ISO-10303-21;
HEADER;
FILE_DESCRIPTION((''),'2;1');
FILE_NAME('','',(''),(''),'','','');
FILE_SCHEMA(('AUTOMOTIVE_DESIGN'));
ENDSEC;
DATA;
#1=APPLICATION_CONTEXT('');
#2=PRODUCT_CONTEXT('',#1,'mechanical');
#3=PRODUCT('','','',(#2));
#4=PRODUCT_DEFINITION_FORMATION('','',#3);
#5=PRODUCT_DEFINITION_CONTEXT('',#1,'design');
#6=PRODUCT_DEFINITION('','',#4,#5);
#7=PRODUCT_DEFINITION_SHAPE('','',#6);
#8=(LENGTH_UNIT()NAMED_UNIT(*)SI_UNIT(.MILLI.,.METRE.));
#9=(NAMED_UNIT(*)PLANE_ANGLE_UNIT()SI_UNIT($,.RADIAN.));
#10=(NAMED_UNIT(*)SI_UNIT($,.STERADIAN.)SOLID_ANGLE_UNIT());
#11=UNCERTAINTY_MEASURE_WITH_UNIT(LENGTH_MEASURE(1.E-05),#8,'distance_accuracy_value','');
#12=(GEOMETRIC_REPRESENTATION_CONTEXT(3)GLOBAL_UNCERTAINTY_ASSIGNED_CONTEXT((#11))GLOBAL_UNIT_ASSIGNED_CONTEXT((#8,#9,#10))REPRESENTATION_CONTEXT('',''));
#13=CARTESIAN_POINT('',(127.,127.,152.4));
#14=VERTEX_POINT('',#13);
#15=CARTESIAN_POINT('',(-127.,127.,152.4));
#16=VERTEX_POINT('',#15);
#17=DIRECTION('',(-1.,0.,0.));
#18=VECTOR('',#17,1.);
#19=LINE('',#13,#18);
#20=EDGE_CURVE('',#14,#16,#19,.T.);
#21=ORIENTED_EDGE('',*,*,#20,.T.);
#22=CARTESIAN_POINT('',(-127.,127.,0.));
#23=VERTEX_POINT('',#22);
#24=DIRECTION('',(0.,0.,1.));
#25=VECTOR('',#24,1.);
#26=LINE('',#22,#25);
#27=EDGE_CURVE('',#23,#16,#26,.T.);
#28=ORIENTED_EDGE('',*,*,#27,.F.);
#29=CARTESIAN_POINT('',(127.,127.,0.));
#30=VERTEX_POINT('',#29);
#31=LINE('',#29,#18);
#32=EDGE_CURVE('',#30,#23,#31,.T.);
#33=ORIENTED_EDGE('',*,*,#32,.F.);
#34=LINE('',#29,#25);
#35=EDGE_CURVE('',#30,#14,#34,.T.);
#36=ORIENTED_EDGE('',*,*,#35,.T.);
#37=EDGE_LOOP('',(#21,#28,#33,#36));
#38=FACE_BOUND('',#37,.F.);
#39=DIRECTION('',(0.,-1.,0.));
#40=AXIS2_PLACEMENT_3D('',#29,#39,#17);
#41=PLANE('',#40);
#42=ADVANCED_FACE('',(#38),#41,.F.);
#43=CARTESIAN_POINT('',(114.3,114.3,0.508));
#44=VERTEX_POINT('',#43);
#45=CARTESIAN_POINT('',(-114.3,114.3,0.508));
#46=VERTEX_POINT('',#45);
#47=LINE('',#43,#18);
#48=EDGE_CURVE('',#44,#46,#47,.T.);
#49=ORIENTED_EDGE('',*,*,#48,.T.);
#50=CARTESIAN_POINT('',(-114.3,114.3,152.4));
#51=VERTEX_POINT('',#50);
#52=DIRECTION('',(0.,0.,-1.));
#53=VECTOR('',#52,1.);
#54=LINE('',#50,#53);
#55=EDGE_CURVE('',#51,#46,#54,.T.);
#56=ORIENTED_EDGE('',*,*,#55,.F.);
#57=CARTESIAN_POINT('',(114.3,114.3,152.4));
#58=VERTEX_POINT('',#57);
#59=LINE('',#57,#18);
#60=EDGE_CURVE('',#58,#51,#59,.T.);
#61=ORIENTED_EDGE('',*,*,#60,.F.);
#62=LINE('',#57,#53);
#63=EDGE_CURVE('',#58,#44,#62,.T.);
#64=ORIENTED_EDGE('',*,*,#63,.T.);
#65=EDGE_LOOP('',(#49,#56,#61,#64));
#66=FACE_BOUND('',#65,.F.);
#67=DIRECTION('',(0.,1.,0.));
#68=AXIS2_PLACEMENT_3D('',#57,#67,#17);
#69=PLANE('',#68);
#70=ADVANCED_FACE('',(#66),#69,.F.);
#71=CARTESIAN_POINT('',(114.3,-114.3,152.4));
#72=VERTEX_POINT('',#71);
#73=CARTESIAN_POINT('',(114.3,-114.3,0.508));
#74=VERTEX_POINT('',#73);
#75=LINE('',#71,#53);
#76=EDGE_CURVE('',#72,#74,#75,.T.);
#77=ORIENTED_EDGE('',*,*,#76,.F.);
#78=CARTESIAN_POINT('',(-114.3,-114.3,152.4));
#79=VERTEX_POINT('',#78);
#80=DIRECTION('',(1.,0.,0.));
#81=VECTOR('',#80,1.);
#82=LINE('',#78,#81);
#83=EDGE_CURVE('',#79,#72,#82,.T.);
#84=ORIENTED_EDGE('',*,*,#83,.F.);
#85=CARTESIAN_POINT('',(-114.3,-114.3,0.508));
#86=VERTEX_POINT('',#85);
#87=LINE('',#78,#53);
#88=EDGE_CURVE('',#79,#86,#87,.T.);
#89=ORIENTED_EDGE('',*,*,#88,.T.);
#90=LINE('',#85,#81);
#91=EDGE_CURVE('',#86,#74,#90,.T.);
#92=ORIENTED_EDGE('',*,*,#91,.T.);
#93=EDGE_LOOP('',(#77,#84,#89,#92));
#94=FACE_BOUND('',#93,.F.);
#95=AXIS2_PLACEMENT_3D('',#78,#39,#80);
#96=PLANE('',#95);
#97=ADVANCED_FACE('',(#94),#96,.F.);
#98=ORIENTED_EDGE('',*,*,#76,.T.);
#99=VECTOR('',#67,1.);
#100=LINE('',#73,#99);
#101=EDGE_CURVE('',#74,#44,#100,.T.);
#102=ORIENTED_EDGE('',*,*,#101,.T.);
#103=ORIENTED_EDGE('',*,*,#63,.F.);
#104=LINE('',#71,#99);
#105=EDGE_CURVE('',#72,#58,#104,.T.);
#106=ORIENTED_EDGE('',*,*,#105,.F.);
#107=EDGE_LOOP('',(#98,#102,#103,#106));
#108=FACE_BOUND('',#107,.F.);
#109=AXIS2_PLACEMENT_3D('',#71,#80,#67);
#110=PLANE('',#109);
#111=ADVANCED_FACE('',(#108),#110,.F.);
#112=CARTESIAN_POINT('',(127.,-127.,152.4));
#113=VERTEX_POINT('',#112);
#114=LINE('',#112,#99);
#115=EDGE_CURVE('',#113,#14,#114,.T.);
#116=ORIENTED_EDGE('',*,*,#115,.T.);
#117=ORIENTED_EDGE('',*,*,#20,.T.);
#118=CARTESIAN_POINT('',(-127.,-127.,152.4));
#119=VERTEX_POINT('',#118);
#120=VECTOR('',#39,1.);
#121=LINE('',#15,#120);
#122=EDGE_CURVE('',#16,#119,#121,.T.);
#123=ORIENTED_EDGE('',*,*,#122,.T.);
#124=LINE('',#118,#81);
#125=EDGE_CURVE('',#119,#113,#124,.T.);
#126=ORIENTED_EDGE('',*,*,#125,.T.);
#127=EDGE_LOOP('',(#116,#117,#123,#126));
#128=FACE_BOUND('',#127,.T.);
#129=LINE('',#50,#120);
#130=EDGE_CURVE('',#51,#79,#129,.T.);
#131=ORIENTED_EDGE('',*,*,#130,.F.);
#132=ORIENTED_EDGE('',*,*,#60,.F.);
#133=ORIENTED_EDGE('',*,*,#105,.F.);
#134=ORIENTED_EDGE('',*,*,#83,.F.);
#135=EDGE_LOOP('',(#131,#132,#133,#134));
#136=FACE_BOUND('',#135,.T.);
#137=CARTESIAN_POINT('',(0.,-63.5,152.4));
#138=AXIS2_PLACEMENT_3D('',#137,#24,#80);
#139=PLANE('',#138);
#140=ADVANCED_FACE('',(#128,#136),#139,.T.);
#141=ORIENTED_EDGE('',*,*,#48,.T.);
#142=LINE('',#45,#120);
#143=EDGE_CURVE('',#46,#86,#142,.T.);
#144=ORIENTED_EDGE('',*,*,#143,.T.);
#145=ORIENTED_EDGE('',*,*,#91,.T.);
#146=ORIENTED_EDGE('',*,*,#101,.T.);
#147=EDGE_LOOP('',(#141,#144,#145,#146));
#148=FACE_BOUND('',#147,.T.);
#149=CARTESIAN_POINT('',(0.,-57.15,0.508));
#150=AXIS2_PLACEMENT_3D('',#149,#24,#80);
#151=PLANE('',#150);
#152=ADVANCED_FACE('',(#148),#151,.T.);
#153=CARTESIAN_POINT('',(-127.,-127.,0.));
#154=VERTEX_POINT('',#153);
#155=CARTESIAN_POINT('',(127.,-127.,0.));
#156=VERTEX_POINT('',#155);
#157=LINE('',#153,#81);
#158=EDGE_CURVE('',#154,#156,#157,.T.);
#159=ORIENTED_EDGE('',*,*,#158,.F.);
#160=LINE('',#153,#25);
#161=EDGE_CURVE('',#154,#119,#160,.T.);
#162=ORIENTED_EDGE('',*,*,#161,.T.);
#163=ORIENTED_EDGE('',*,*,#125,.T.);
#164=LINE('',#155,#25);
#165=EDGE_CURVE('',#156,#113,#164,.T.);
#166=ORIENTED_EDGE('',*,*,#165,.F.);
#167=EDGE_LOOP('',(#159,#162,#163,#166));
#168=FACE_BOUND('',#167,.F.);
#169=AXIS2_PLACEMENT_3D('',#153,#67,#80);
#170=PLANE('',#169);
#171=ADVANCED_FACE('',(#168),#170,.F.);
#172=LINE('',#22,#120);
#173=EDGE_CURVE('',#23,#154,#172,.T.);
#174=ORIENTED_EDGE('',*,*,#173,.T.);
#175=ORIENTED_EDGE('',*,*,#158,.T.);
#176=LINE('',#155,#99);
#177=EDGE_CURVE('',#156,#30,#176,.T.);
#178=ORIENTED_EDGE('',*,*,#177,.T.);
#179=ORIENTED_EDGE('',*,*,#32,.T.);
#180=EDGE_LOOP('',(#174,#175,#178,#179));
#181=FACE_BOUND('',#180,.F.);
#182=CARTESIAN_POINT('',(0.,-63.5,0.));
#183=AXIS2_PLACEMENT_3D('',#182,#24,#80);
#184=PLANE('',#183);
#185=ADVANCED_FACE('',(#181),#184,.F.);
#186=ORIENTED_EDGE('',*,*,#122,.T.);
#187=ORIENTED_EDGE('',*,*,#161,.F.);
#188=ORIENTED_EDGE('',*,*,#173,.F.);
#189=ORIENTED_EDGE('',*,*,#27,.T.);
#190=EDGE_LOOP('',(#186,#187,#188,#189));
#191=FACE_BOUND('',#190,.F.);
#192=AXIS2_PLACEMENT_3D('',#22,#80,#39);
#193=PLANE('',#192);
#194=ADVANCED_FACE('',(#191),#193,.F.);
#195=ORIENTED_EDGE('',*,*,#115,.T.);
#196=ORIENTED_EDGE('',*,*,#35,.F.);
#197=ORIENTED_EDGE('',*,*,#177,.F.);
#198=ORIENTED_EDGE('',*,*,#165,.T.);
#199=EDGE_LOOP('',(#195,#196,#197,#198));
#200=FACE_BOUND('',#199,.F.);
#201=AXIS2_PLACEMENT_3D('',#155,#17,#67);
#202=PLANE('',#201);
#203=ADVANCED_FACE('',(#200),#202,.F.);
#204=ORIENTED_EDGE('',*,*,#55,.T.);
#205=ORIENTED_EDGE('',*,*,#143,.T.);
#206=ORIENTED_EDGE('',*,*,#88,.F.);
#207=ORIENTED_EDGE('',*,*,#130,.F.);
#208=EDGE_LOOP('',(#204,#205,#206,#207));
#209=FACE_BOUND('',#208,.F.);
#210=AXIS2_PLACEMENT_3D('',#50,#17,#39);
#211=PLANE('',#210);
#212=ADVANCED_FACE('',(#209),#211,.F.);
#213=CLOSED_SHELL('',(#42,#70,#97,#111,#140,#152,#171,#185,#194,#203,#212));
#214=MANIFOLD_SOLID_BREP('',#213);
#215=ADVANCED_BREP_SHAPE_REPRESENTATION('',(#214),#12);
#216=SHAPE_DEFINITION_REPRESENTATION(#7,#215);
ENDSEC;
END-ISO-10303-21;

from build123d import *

# Parameters (mm, degrees)
F1_DEPTH = 152.4
F3_DEPTH = 151.892


with BuildPart() as f1:
    # F0 (on Top) → F1 (new body)
    with BuildSketch(Plane.XY):
        Polygon((127, 0), (0, 0), (-127, 0), (-127, -127), (127, -127), align=None)
        Polygon((-127, 0), (0, 0), (127, 0), (127, 127), (-127, 127), align=None)
    extrude(amount=F1_DEPTH)

    # F2 (on face) → F3 (cut)
    with BuildSketch(Plane.XY.offset(152.4)):
        Polygon((114.3, 0), (0, 0), (-114.3, 0), (-114.3, -114.3), (114.3, -114.3), align=None)
        Polygon((-114.3, 0), (0, 0), (114.3, 0), (114.3, 114.3), (-114.3, 114.3), align=None)
    extrude(amount=-F3_DEPTH, mode=Mode.SUBTRACT)


solid = f1.part
